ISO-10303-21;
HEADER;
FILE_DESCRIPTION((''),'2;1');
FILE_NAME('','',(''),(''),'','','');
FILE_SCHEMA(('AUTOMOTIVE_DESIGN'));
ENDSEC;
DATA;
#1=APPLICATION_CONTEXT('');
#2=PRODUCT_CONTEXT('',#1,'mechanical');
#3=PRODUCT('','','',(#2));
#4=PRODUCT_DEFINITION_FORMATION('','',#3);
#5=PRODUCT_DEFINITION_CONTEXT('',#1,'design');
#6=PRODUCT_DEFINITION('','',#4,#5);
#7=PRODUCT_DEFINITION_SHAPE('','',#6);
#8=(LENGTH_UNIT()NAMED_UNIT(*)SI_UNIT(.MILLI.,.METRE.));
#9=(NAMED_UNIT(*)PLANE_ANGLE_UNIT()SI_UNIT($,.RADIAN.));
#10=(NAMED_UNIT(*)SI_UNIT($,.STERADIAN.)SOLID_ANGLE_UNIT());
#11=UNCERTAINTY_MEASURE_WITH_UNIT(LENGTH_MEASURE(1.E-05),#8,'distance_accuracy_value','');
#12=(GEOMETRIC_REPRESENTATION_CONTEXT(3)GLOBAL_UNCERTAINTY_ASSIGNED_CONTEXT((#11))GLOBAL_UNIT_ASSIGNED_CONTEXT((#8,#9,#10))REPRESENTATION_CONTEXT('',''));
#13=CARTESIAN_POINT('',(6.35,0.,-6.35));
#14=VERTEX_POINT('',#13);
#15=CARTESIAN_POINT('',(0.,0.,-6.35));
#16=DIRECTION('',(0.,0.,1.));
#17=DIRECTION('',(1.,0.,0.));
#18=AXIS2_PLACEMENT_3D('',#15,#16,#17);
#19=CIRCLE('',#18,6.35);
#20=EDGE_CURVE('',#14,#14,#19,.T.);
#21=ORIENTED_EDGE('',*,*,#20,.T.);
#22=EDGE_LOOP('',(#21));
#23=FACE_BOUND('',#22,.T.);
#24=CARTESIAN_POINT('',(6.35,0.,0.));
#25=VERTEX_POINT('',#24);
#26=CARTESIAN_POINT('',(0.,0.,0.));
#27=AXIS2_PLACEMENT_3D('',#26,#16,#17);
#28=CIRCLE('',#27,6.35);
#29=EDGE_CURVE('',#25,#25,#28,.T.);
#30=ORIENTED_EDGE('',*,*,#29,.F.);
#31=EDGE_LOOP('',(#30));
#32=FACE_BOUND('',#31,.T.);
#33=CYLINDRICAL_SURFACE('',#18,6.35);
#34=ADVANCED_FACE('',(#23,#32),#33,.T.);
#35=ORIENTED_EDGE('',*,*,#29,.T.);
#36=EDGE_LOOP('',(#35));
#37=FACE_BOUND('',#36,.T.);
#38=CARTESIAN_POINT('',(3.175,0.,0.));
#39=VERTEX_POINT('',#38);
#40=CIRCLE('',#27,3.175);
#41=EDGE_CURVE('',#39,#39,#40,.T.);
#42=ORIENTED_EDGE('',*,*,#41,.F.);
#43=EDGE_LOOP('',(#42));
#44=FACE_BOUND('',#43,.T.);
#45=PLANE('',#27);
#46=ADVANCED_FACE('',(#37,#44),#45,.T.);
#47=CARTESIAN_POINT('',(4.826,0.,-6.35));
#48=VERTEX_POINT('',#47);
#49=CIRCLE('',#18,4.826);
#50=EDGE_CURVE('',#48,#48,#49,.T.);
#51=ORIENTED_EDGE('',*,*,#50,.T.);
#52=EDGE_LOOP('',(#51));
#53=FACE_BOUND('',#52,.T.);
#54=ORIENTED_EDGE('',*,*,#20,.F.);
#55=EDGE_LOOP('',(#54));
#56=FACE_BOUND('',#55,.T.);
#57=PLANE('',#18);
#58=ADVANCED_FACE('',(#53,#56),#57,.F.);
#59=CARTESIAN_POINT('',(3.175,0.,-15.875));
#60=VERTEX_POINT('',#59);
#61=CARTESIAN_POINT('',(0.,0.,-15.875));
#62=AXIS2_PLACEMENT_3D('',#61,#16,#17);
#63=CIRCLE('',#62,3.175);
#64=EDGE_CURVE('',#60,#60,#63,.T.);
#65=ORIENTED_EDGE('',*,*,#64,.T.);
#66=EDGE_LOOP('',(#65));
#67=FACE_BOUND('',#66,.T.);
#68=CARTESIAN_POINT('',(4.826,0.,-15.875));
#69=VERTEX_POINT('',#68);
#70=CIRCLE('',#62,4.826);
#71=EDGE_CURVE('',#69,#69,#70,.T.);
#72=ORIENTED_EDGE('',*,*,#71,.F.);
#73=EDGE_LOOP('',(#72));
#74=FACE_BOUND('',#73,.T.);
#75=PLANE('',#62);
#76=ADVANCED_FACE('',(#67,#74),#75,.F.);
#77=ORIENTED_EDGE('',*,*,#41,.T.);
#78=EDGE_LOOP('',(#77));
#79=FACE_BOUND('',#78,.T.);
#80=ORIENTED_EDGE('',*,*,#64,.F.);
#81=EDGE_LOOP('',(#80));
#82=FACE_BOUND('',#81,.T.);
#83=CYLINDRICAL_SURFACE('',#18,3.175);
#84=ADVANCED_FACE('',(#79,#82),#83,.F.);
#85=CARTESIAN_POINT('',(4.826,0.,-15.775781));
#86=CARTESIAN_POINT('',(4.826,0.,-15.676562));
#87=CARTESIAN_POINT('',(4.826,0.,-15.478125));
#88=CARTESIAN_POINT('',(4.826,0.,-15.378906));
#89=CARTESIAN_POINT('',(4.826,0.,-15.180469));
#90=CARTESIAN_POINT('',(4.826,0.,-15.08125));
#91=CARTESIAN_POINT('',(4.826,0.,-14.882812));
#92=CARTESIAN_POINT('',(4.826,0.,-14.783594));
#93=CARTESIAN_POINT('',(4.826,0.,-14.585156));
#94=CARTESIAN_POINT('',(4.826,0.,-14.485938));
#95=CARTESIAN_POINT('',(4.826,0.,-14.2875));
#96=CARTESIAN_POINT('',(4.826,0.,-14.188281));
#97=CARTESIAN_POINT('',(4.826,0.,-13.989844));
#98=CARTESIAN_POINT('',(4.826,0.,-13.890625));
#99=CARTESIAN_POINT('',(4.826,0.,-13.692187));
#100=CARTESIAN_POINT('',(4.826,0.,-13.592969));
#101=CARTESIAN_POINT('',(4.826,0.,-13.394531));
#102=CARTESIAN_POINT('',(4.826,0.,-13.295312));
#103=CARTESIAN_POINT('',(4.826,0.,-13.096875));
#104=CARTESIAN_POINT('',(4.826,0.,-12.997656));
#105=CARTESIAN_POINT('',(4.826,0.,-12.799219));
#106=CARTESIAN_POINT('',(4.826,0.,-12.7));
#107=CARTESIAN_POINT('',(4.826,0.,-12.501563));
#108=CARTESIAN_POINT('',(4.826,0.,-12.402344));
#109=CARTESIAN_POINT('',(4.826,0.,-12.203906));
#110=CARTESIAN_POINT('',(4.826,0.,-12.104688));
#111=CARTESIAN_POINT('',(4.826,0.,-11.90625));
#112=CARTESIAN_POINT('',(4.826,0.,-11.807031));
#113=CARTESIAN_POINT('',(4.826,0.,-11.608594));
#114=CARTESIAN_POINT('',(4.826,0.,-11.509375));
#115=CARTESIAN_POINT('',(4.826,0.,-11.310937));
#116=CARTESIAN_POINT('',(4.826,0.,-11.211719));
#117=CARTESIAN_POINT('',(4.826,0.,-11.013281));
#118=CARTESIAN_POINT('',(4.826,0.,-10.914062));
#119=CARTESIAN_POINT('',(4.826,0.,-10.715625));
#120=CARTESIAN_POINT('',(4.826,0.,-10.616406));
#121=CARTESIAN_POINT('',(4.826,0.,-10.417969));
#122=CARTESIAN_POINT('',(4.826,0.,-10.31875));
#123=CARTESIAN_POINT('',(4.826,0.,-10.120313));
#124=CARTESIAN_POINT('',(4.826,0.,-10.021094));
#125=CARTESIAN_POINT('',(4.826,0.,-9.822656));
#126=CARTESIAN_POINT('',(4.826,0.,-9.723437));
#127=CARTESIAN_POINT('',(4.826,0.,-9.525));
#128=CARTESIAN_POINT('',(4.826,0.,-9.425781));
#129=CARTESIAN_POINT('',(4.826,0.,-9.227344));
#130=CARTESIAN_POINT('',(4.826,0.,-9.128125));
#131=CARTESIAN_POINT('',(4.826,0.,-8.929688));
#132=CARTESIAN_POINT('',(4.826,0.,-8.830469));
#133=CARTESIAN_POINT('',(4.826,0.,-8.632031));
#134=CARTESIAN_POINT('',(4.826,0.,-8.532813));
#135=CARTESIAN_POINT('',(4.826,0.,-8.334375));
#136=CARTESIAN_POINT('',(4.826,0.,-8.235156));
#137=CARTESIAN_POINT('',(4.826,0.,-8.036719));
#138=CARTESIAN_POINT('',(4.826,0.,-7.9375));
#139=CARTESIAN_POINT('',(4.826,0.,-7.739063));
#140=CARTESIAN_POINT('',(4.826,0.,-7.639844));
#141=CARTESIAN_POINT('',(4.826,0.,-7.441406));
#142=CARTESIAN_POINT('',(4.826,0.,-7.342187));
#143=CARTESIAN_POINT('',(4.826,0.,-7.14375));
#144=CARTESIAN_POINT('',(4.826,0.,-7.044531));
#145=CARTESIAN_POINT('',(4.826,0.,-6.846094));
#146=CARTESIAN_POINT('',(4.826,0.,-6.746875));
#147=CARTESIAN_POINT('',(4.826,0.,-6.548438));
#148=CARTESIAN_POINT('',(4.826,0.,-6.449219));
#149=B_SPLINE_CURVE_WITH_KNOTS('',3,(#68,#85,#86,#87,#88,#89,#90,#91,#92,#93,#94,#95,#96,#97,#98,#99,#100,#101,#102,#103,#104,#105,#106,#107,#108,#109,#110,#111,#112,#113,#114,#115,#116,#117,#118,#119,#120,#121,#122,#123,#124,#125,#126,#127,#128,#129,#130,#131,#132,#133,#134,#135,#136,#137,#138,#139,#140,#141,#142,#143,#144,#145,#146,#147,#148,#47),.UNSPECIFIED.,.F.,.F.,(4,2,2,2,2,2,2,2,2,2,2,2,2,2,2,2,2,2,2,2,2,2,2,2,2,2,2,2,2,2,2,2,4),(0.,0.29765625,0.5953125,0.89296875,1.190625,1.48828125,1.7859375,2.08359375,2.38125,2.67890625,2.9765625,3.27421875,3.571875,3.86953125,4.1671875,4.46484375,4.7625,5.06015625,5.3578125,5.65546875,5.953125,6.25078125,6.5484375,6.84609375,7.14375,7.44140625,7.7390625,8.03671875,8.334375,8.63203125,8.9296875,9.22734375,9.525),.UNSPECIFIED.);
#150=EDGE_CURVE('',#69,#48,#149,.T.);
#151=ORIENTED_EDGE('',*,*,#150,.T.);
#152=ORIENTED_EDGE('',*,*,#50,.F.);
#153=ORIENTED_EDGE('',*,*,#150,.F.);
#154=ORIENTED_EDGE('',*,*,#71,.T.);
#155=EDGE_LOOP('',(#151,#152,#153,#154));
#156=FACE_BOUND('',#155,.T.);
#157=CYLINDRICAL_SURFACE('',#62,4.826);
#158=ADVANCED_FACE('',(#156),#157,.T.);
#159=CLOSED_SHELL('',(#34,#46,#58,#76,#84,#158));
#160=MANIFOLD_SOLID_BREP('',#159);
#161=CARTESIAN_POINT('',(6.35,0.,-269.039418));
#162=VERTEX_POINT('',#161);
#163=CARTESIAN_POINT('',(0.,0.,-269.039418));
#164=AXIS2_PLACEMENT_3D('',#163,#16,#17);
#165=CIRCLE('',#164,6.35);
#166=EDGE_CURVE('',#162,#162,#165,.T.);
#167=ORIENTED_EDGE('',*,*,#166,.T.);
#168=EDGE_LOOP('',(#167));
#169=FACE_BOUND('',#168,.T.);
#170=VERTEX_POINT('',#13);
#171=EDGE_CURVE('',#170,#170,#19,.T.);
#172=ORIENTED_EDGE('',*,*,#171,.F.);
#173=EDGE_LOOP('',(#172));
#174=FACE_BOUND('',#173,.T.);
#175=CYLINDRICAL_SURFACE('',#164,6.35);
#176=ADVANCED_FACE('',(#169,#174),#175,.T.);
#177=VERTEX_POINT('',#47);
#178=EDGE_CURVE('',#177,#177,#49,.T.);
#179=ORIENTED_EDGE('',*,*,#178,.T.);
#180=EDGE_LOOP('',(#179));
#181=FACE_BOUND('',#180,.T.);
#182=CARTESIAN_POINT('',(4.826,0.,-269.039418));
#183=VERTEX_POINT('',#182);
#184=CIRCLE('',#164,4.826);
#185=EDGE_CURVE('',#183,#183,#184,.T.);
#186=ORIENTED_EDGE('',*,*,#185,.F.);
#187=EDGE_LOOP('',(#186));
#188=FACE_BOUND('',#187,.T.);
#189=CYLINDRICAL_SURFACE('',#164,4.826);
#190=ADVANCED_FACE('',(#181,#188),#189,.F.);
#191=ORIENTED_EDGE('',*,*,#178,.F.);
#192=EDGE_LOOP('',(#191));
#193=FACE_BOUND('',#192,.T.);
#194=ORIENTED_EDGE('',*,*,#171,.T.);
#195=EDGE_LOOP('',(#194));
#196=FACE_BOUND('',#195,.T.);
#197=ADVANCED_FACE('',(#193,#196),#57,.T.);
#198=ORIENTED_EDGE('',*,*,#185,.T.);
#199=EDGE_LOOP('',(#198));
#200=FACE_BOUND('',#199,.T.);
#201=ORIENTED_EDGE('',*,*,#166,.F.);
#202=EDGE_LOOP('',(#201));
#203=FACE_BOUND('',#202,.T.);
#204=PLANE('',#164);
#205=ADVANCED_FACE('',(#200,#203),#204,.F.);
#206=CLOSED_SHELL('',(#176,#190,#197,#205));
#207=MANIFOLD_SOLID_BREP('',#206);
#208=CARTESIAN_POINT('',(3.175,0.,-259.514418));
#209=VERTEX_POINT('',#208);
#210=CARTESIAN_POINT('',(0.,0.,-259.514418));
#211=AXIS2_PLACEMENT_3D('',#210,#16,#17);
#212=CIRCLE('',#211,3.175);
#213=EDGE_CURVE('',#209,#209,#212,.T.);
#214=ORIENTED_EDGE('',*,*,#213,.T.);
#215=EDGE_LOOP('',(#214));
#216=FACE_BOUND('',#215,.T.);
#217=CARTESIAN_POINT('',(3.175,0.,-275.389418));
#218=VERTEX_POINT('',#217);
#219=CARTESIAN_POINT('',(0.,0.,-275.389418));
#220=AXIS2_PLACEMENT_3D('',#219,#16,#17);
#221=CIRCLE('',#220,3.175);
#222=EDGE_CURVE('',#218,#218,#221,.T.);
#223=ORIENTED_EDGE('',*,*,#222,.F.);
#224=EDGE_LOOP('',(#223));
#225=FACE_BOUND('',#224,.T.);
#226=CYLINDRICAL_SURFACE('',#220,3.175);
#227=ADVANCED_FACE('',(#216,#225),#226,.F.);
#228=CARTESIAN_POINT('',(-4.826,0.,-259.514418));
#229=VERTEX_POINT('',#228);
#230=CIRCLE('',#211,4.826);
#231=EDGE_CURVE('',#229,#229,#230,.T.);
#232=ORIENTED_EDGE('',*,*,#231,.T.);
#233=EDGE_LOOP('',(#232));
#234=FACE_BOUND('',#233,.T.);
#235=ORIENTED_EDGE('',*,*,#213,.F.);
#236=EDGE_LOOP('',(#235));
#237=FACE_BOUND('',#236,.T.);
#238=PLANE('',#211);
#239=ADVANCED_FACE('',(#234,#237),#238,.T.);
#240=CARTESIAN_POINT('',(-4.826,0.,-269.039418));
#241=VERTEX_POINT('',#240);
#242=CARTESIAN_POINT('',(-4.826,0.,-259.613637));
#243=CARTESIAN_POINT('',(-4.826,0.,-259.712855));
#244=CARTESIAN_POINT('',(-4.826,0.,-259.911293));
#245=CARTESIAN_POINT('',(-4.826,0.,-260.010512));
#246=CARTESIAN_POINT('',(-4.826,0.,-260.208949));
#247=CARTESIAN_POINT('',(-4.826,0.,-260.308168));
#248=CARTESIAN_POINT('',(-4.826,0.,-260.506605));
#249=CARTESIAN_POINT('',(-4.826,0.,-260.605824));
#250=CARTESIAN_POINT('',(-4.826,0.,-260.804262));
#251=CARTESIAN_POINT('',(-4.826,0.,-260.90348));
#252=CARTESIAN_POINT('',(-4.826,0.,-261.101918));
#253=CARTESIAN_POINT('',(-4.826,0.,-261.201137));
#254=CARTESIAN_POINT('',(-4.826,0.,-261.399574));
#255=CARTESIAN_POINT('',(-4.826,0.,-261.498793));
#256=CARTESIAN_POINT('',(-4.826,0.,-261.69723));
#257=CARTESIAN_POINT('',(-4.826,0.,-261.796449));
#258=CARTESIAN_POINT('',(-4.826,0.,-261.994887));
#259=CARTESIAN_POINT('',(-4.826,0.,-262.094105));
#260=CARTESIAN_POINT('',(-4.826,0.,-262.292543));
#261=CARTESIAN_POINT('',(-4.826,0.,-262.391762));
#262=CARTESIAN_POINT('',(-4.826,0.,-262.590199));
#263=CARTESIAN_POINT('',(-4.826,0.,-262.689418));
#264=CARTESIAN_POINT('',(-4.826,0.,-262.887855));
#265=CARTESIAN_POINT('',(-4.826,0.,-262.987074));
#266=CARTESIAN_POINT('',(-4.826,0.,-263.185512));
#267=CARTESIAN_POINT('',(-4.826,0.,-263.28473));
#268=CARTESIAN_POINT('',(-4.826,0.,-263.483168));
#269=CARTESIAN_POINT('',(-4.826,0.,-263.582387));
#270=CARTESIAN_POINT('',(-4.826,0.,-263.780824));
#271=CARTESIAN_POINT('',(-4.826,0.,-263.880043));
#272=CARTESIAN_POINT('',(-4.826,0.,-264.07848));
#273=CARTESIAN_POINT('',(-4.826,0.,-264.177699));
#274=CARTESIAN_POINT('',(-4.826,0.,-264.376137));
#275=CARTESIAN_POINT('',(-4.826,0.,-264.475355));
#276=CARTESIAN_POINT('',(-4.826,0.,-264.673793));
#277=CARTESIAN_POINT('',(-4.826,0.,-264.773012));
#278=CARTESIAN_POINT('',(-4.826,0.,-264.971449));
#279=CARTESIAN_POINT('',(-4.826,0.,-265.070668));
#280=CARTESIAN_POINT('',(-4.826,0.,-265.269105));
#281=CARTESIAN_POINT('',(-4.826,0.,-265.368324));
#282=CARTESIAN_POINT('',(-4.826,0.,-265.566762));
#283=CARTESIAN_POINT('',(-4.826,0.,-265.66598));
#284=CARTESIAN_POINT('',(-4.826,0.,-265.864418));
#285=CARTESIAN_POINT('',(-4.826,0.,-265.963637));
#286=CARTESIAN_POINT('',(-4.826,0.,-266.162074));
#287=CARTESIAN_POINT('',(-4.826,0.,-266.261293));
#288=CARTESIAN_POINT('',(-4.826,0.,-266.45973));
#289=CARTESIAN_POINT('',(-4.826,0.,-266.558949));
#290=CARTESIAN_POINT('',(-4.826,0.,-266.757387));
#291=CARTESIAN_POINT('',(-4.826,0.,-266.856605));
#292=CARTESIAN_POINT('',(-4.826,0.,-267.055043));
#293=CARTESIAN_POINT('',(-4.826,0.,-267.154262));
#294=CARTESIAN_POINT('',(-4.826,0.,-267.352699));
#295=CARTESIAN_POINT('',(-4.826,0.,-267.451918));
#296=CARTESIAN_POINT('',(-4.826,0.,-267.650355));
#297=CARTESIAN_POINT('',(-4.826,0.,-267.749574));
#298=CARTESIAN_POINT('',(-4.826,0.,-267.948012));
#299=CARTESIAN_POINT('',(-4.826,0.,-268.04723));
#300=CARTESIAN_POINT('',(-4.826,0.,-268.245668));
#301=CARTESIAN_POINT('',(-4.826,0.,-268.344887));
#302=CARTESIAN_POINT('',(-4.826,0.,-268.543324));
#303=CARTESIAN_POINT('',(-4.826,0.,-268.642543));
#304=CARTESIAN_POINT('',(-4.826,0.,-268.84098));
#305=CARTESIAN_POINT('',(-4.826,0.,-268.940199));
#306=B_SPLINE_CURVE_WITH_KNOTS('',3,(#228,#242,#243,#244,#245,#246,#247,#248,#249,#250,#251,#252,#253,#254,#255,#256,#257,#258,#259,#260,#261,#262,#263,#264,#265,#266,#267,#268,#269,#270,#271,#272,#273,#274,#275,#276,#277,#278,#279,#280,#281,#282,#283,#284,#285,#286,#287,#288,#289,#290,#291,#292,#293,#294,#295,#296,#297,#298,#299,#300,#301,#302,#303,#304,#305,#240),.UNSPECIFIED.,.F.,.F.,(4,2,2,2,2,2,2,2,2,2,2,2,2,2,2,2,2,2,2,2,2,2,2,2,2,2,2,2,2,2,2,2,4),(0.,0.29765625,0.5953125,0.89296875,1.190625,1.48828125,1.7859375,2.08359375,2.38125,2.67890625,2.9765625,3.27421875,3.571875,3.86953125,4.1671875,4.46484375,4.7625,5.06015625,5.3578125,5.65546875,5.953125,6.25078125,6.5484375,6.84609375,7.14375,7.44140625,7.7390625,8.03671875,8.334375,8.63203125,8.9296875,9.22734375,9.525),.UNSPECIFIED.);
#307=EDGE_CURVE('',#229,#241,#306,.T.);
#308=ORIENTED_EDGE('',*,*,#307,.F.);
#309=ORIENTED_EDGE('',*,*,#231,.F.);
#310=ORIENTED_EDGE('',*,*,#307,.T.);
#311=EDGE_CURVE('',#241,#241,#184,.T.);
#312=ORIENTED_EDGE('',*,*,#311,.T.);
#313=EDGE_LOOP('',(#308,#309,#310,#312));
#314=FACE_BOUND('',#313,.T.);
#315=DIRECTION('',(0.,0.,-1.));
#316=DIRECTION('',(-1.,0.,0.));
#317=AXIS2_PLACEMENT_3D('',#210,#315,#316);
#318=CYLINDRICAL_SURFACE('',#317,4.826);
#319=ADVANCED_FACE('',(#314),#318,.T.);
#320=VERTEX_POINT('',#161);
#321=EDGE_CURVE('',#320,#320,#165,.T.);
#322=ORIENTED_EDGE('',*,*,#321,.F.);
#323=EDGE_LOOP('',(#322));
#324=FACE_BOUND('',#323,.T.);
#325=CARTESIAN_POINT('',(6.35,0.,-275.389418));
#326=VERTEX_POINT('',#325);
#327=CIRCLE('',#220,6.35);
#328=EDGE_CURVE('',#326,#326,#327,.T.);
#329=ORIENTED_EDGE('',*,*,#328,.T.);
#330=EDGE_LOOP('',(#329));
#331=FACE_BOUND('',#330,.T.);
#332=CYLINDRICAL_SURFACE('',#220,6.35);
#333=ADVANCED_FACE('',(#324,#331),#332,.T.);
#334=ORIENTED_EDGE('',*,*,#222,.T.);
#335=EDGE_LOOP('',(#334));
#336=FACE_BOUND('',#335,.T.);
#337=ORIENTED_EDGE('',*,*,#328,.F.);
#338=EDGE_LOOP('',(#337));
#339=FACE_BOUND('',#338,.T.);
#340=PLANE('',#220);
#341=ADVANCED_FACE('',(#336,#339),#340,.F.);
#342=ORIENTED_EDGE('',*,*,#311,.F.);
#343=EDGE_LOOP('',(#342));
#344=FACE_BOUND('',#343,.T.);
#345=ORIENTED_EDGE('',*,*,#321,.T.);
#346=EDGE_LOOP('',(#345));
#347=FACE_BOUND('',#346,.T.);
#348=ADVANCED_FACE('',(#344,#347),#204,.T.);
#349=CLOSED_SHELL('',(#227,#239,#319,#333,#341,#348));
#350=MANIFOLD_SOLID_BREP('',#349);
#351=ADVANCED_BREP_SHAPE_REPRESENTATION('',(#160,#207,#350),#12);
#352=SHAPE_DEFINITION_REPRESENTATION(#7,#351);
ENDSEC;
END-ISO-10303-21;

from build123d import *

# Parameters (mm, degrees)
SKETCH1_R                 = 6.35
SKETCH1_R_2               = 4.826
SKETCH1_R_3               = 3.175
THREADED_INSERT_1_1_DEPTH = 6.35
THREADED_START            = -6.35
SKETCH1_3_R               = 4.826
SKETCH1_3_R_2             = 3.175
THREADED_INSERT_1_2_DEPTH = 9.525
TUBE_START                = -6.35
SKETCH1_4_R               = 6.35
SKETCH1_4_R_2             = 4.826
TUBE_EXTRUDE_DEPTH        = 262.689418
THREADED_START_2          = -269.039418
SKETCH1_6_R               = 4.826
SKETCH1_6_R_2             = 3.175
THREADED_INSERT_2_1_DEPTH = 9.525
SKETCH1_9_R               = 6.35
SKETCH1_9_R_2             = 4.826
SKETCH1_9_R_3             = 3.175
THREADED_INSERT_2_2_DEPTH = 6.35


with BuildPart() as part:
    # Sketch1 → Threaded insert 1-1 (new body)
    # profile 1 of 2: a face of its own
    with BuildSketch(Plane.XY):
        Circle(SKETCH1_R)
        Circle(SKETCH1_R_2, mode=Mode.SUBTRACT)
    # profile 2 of 2: a face of its own
    with BuildSketch(Plane.XY):
        Circle(SKETCH1_R_2)
        Circle(SKETCH1_R_3, mode=Mode.SUBTRACT)
    extrude(amount=-THREADED_INSERT_1_1_DEPTH)

    # Sketch1<3> → Threaded insert 1-2 (add)
    with BuildSketch(Plane.XY.offset(THREADED_START)):
        Circle(SKETCH1_3_R)
        Circle(SKETCH1_3_R_2, mode=Mode.SUBTRACT)
    extrude(amount=-THREADED_INSERT_1_2_DEPTH)


with BuildPart() as body_2:
    # Sketch1<4> → Tube extrude (new body)
    with BuildSketch(Plane.XY.offset(TUBE_START)):
        Circle(SKETCH1_4_R)
        Circle(SKETCH1_4_R_2, mode=Mode.SUBTRACT)
    extrude(amount=-TUBE_EXTRUDE_DEPTH)


with BuildPart() as body_3:
    # Sketch1<6> → Threaded insert 2-1 (new body)
    with BuildSketch(Plane.XY.offset(THREADED_START_2)):
        Circle(SKETCH1_6_R)
        Circle(SKETCH1_6_R_2, mode=Mode.SUBTRACT)
    extrude(amount=THREADED_INSERT_2_1_DEPTH)


with BuildPart() as body_4:
    # Sketch1<9> → Threaded insert 2-2 (new body)
    # profile 1 of 2: a face of its own
    with BuildSketch(Plane.XY.offset(THREADED_START_2)):
        Circle(SKETCH1_9_R)
        Circle(SKETCH1_9_R_2, mode=Mode.SUBTRACT)
    # profile 2 of 2: a face of its own
    with BuildSketch(Plane.XY.offset(THREADED_START_2)):
        Circle(SKETCH1_9_R_2)
        Circle(SKETCH1_9_R_3, mode=Mode.SUBTRACT)
    extrude(amount=-THREADED_INSERT_2_2_DEPTH)

    # Combine1: union body 3
    add(body_3.part)


solid = Compound([part.part, body_2.part, body_4.part])
